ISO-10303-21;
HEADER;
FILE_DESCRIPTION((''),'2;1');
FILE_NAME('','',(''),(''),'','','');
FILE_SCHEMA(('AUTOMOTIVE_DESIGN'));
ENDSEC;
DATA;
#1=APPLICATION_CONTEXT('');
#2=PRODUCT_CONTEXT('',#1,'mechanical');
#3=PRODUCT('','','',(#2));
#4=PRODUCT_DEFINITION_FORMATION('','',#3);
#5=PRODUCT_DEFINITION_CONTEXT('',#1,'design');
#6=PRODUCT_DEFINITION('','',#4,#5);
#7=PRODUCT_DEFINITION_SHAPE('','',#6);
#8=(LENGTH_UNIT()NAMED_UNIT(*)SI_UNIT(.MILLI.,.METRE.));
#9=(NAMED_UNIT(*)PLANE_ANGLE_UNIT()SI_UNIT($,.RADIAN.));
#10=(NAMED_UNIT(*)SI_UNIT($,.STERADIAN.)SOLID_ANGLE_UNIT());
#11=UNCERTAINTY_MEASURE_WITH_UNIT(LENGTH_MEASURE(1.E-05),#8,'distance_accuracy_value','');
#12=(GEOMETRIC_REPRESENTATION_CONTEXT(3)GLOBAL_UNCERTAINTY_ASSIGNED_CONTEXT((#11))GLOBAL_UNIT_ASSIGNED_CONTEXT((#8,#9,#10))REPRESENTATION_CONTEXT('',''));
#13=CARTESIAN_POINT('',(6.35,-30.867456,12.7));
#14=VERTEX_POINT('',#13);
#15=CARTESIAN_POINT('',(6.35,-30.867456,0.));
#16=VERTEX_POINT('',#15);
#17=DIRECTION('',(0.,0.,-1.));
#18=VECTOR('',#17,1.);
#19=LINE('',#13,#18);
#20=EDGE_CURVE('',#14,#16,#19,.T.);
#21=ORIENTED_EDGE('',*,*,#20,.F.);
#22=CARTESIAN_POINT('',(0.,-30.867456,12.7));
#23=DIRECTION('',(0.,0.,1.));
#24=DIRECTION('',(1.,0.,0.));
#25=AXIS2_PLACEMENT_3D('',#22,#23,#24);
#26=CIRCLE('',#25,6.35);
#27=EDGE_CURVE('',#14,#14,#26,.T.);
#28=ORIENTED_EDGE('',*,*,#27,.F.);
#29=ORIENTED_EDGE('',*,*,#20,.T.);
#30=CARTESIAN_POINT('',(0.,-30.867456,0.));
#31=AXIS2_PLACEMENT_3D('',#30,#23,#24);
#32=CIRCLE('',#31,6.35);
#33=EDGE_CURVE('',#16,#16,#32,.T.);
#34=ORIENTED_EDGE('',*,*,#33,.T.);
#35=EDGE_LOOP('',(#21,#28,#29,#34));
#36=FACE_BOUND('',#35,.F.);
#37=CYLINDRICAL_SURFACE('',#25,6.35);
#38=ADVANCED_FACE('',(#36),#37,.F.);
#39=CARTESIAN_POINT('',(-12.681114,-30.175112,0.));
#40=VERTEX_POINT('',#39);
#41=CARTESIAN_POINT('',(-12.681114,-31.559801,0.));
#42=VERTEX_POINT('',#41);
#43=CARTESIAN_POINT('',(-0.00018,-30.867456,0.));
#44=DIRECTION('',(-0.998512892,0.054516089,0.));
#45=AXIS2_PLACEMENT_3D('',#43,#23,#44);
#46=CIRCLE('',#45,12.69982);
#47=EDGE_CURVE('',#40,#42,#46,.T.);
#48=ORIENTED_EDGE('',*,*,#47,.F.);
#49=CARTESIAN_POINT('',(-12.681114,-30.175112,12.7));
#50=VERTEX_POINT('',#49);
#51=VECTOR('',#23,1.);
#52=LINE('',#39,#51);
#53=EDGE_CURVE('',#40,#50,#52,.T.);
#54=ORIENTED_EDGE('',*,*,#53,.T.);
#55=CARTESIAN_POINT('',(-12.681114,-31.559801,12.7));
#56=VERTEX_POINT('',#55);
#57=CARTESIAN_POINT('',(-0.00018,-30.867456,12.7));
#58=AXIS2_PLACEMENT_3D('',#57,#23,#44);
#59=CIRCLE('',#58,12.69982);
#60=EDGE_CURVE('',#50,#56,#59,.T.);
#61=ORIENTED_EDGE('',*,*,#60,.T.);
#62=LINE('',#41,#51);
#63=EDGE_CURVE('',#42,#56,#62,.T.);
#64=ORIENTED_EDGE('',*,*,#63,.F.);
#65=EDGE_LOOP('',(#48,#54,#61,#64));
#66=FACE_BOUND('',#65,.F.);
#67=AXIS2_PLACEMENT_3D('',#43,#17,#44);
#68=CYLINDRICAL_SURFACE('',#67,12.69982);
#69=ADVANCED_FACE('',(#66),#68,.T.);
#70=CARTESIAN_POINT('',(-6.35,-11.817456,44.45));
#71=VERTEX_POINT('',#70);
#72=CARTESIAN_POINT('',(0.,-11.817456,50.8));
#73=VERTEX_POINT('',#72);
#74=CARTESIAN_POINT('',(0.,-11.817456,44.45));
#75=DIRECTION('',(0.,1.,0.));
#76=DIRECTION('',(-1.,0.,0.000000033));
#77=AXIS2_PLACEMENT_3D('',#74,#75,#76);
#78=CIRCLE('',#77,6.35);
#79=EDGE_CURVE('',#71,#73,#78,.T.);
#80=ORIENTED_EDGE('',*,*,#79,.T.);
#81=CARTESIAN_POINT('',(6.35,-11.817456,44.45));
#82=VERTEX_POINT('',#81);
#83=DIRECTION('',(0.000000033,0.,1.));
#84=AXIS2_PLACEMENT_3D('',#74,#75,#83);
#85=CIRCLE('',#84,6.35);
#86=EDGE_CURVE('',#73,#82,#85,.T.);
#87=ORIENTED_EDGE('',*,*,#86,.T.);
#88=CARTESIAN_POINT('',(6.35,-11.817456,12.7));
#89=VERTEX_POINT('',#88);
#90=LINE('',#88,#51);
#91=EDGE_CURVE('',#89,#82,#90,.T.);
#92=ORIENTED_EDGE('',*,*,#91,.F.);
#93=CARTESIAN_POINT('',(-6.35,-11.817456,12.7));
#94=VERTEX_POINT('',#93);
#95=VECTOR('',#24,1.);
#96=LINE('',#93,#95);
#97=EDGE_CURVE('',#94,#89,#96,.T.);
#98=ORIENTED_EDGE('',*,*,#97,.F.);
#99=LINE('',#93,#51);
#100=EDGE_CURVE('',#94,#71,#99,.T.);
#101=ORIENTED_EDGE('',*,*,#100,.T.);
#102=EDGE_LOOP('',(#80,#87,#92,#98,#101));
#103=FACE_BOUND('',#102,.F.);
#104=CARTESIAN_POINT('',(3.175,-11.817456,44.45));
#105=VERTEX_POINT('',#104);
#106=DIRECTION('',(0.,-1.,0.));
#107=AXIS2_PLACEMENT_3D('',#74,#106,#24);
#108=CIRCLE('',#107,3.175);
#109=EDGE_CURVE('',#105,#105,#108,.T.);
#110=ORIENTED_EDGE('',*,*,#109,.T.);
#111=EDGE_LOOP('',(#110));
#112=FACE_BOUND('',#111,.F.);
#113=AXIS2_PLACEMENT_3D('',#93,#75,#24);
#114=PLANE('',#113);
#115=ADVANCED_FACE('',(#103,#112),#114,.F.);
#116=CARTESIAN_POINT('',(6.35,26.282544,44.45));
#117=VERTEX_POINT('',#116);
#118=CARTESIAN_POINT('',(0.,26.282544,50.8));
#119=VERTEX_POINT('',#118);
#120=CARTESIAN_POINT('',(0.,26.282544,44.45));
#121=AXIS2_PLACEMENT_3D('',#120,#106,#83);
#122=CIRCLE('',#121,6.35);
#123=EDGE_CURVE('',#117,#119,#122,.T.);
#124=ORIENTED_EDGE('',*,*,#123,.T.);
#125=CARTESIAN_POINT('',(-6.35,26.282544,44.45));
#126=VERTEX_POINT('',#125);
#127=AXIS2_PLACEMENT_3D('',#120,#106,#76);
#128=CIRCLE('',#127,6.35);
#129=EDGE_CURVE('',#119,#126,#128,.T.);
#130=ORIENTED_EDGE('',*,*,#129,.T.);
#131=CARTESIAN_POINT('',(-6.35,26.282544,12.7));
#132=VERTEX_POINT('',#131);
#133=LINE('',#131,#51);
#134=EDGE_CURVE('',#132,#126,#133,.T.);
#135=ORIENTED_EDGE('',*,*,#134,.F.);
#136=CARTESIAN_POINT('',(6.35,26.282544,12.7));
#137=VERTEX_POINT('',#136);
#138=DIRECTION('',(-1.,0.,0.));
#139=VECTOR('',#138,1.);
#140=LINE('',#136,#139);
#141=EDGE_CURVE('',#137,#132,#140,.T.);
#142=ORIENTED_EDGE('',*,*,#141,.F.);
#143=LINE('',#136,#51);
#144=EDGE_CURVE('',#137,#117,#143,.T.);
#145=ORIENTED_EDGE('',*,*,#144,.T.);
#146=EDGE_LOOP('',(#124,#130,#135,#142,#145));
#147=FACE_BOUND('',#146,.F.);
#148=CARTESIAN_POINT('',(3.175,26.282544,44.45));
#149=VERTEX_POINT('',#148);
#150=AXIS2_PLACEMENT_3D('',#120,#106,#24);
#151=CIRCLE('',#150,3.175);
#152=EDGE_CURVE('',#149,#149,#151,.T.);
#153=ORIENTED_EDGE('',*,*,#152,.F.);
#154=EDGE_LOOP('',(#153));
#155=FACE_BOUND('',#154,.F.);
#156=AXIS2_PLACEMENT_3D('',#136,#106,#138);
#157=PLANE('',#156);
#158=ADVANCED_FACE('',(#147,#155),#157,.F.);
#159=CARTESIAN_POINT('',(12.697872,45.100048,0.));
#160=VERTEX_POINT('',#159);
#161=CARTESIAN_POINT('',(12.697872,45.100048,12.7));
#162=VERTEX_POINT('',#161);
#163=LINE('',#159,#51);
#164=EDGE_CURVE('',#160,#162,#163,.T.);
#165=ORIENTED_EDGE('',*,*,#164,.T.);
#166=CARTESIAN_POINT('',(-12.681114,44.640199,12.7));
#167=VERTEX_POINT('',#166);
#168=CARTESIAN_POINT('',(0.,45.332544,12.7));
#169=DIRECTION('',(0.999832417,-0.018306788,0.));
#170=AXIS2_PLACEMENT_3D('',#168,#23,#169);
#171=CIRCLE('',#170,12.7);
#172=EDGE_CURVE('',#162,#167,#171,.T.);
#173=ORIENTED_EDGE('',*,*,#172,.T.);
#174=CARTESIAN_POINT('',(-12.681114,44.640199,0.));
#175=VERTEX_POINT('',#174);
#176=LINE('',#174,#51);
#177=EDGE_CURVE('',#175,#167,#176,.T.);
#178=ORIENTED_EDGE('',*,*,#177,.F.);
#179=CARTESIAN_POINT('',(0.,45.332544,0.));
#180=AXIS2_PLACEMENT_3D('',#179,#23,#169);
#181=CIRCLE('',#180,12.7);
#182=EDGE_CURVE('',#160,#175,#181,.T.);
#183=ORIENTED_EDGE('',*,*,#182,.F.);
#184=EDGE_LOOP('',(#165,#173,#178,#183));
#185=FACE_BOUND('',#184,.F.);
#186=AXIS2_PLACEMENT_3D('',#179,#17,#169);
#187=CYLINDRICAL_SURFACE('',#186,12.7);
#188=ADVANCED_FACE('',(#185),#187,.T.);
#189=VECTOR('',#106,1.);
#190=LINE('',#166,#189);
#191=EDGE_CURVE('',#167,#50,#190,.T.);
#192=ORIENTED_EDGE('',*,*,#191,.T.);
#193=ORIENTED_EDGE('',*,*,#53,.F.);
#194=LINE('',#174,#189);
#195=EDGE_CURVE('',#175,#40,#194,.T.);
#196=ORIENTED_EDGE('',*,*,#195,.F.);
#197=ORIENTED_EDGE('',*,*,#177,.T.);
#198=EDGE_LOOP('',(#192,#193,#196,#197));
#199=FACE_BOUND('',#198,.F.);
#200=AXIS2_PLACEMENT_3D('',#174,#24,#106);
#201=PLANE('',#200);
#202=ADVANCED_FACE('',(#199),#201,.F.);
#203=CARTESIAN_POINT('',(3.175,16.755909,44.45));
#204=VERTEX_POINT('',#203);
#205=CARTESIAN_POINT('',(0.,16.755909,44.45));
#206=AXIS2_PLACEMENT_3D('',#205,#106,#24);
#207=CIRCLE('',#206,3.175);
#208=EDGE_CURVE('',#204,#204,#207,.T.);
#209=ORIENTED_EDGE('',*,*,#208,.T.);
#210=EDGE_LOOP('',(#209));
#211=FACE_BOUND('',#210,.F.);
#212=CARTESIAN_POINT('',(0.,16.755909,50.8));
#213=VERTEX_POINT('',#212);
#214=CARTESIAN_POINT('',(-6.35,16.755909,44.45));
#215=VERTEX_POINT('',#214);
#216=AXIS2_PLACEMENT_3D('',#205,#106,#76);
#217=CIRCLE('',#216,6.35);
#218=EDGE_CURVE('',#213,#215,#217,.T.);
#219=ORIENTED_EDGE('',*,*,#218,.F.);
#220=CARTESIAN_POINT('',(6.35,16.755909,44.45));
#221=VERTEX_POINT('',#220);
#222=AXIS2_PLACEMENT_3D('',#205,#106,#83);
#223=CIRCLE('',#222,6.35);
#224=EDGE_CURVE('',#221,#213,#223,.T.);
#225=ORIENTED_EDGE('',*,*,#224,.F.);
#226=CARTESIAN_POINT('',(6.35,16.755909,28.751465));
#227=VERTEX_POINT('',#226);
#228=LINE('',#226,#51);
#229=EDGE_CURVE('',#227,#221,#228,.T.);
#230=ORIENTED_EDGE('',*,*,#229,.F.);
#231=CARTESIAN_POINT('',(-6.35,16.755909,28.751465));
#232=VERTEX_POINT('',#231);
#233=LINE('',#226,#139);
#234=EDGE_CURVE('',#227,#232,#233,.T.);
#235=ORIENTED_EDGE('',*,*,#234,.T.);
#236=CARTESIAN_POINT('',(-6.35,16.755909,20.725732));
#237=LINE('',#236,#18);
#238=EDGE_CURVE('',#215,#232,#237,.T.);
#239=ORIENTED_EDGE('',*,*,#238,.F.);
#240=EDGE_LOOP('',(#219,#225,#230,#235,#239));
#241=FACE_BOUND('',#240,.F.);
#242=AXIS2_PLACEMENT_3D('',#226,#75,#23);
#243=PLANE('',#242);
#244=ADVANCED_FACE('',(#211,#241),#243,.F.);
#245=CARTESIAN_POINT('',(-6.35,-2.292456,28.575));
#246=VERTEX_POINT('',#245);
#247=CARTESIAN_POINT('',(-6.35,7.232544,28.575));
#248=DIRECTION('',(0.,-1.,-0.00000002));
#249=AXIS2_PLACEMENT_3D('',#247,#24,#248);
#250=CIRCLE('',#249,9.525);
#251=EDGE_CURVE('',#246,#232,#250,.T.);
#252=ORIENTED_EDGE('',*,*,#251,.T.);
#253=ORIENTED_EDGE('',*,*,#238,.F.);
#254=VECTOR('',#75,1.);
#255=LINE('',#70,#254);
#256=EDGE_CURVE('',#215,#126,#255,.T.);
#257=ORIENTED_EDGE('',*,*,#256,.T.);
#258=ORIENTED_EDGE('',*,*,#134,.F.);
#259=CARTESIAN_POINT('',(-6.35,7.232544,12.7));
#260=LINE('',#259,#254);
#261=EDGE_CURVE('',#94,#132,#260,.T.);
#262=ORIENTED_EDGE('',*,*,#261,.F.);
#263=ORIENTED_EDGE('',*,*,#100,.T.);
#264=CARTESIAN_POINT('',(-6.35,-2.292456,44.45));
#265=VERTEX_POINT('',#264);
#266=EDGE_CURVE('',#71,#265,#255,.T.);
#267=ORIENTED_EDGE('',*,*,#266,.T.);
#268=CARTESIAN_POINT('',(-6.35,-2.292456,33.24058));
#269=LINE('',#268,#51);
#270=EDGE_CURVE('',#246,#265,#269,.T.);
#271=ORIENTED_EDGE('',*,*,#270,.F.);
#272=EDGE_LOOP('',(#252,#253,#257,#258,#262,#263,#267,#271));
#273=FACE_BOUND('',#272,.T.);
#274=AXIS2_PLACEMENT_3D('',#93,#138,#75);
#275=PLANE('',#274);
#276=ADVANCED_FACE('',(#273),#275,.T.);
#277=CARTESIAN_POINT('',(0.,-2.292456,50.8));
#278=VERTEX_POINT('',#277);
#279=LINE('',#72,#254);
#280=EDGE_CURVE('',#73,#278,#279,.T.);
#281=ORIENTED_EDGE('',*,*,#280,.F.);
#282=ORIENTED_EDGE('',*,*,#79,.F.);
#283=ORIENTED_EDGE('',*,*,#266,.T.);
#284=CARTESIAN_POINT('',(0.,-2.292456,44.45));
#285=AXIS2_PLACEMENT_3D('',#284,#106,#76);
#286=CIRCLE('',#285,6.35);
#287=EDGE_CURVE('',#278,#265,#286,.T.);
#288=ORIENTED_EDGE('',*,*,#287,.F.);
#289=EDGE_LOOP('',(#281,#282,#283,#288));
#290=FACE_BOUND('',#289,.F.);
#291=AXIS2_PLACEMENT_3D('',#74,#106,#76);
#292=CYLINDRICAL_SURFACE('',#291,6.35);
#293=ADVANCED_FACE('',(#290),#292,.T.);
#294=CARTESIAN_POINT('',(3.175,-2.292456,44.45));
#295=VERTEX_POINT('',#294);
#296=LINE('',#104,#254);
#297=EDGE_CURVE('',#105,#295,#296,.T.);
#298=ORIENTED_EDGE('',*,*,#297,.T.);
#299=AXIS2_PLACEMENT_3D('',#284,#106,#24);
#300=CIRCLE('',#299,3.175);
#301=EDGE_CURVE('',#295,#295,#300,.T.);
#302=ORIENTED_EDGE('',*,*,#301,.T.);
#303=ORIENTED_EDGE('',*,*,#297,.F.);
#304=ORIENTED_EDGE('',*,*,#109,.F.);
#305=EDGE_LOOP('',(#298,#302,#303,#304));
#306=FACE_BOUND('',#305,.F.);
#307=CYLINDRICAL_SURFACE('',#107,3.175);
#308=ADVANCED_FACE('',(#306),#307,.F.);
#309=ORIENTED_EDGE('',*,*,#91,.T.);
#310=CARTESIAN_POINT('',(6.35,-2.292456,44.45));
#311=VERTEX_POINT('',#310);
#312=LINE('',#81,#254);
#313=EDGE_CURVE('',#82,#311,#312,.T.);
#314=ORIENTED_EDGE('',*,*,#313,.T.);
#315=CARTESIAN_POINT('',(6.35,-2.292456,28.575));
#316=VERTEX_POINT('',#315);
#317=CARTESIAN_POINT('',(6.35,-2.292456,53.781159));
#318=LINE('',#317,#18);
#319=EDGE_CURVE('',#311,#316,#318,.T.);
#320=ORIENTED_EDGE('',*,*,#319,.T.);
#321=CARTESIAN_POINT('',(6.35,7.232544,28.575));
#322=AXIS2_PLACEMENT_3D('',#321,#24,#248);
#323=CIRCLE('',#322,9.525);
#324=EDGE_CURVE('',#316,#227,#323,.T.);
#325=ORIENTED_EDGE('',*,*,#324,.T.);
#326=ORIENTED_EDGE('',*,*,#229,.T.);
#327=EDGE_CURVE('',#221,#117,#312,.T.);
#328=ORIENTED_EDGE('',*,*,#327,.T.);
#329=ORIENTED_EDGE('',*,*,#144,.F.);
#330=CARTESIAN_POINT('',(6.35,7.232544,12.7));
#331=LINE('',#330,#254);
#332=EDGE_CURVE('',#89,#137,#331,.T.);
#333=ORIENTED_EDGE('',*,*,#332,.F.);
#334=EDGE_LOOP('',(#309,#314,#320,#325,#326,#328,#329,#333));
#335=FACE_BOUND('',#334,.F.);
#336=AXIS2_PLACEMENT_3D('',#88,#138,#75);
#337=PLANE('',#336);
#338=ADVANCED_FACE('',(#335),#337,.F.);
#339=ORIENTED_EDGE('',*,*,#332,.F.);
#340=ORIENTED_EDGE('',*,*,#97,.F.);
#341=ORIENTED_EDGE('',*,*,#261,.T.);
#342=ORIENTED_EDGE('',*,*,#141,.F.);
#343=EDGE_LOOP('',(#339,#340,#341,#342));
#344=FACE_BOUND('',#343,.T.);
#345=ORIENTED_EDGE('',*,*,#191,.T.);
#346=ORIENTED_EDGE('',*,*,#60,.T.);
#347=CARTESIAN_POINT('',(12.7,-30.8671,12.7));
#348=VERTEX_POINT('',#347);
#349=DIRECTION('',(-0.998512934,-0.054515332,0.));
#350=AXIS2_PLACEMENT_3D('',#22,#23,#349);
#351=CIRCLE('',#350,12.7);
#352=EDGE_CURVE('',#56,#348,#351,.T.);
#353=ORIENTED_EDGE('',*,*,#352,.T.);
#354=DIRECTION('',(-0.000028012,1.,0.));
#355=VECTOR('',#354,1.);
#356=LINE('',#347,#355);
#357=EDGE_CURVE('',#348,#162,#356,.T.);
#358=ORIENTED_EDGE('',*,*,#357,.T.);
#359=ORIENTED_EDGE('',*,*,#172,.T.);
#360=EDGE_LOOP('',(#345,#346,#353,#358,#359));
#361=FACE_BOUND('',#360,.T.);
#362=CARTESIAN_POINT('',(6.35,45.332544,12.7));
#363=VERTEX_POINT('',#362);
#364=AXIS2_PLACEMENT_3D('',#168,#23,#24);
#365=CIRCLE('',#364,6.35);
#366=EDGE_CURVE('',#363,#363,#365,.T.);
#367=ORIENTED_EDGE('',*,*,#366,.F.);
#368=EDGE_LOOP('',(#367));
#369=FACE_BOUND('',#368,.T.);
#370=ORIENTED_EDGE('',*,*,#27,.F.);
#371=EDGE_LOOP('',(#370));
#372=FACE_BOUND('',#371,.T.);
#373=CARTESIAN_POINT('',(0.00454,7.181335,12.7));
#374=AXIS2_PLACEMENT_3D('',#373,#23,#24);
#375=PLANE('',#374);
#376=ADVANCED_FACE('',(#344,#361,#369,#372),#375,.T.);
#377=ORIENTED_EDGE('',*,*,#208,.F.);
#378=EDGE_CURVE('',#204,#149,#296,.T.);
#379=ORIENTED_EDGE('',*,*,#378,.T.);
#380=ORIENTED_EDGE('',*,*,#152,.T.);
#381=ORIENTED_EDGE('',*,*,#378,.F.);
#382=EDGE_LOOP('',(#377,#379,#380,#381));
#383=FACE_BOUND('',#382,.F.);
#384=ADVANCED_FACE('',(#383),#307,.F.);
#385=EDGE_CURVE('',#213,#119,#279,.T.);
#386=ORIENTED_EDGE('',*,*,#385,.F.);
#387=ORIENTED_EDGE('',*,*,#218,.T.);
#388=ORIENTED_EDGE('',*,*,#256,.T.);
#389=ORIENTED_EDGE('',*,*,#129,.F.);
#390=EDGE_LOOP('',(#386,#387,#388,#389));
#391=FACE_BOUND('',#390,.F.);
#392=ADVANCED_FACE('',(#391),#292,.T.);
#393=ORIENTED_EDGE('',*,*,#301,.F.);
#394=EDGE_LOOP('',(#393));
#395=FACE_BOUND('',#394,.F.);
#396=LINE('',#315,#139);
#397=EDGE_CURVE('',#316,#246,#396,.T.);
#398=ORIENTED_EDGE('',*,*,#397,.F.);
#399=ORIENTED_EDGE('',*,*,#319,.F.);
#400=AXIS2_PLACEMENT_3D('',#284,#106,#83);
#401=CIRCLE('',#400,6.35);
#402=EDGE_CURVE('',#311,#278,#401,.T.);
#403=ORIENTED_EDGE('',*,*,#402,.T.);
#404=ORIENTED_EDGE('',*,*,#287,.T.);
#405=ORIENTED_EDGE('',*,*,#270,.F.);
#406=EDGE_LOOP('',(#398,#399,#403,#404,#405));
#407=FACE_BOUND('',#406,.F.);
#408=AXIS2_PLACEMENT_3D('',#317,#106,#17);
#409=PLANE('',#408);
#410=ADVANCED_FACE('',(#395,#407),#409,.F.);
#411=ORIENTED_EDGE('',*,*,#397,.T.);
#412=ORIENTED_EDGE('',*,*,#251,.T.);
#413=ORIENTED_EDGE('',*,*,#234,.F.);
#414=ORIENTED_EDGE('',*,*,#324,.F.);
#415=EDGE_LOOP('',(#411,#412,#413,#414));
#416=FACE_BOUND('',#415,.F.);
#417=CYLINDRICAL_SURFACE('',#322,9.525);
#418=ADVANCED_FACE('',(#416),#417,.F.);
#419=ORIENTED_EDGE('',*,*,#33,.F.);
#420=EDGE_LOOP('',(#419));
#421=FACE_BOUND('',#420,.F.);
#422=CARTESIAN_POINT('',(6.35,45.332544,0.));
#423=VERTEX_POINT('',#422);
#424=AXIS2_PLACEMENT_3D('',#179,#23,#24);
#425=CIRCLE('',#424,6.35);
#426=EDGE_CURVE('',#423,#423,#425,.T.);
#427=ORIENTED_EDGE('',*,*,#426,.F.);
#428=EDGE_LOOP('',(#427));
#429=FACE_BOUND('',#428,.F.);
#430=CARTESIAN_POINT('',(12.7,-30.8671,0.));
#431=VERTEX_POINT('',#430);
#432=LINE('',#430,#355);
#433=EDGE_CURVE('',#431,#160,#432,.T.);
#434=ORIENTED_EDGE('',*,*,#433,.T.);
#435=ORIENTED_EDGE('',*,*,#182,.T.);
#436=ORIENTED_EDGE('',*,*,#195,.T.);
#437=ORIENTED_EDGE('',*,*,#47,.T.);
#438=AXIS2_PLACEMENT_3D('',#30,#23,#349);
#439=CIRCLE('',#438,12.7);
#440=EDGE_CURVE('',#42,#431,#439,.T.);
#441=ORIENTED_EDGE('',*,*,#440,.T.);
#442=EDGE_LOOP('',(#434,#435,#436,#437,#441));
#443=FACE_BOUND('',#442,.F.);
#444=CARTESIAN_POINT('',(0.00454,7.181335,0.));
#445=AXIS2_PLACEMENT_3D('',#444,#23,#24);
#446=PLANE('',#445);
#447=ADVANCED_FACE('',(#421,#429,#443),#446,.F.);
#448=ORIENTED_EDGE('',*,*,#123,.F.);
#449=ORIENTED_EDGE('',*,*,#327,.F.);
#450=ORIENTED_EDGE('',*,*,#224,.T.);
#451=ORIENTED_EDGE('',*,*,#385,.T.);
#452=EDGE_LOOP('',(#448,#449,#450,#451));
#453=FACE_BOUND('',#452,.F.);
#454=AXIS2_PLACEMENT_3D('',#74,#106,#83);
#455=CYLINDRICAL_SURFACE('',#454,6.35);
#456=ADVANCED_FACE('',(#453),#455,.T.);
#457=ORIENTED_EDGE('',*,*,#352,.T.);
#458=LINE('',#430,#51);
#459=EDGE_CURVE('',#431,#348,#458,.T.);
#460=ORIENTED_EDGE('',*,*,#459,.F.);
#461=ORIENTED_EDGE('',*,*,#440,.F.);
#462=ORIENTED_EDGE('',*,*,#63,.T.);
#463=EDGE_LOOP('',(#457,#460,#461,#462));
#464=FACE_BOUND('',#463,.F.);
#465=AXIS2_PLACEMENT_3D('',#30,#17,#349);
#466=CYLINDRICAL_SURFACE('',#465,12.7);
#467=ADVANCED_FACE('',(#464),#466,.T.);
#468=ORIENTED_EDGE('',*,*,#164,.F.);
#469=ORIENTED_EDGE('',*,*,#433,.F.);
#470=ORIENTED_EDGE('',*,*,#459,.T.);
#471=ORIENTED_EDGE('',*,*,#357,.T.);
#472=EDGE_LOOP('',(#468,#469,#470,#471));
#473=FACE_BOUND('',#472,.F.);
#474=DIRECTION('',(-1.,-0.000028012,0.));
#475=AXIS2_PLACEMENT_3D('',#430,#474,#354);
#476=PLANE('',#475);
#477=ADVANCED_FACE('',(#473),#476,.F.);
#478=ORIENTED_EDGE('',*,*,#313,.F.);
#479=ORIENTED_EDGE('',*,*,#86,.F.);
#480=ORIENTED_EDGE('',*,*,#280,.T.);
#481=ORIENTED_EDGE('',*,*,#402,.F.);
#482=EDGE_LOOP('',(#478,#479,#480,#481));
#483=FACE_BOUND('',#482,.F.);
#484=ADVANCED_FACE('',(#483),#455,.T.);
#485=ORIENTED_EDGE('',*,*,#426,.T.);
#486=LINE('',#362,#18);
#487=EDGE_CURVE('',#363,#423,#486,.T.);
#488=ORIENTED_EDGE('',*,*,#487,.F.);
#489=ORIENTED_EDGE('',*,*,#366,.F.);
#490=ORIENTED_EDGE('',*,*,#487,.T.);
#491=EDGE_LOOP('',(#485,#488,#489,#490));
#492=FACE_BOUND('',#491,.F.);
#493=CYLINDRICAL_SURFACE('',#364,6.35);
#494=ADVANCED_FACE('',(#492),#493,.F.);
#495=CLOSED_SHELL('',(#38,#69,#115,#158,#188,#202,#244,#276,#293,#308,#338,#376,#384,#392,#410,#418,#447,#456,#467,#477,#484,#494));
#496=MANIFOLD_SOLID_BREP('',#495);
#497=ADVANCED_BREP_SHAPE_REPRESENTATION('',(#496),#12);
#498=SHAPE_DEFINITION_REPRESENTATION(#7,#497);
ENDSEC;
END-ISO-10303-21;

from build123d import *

# Parameters (mm, degrees)
F1_DEPTH  = 12.7
F2_R      = 6.35
F3_DEPTH  = 31.242
F4_W      = 6.35
F4_H      = 38.1
F5_DEPTH  = 38.1
F7_DEPTH  = 61.468
F9_DEPTH  = 25.4
F10_R     = 3.175
F11_DEPTH = 50.8


with BuildPart() as f1:
    # F0 (on Top) → F1 (new body)
    with BuildSketch(Plane.XY):
        with BuildLine():
            Line((12.7, -30.8671), (12.697872, 45.100048))
            ThreePointArc((12.697872, 45.100048), (-0.230077, 58.03046), (-12.681114, 44.640199))
            Line((-12.681114, 44.640199), (-12.681114, -30.175112))
            Line((-12.681114, -30.175112), (-12.681114, -31.559801))
            ThreePointArc((-12.681114, -31.559801), (0.346479, -43.562729), (12.7, -30.8671))
        make_face()
        with BuildLine():
            Line((-12.681114, -31.559801), (-12.681114, -30.175112))
            ThreePointArc((-12.681114, -30.175112), (-12.7, -30.867456), (-12.681114, -31.559801))
        make_face()
    extrude(amount=F1_DEPTH)

    # F2 (on face) → F3 (cut)
    with BuildSketch(Plane.XY.offset(12.7)):
        with Locations((0, -30.867456)):
            Circle(F2_R)
        with Locations((0, 45.332544)):
            Circle(F2_R)
    extrude(amount=-F3_DEPTH, mode=Mode.SUBTRACT)

    # F4 (on face) → F5 (join)
    with BuildSketch(Plane.XY.offset(12.7)):
        with Locations((3.175, 7.232544)):
            Rectangle(F4_W, F4_H)
        with Locations((-3.175, 7.232544)):
            Rectangle(F4_W, F4_H)
    extrude(amount=F5_DEPTH)

    # F6 (on face) → F7 (cut)
    with BuildSketch(Plane.XZ.offset(11.817456)):
        with BuildLine():
            ThreePointArc((-6.35, 44.45), (-4.490128, 48.940128), (0, 50.8))
            Line((0, 50.8), (-6.35, 50.8))
            Line((-6.35, 50.8), (-6.35, 44.45))
        make_face()
        with BuildLine():
            ThreePointArc((0, 50.8), (4.490128, 48.940128), (6.35, 44.45))
            Line((6.35, 44.45), (6.35, 50.8))
            Line((6.35, 50.8), (0, 50.8))
        make_face()
    extrude(amount=-F7_DEPTH, mode=Mode.SUBTRACT)

    # F8 (on face) → F9 (cut)
    with BuildSketch(Plane.YZ.offset(6.35)):
        with BuildLine():
            Line((-2.292456, 44.45), (-2.292456, 28.575))
            ThreePointArc((-2.292456, 28.575), (7.32078, 19.050409), (16.755909, 28.751465))
            Line((16.755909, 28.751465), (16.755909, 53.781159))
            Line((16.755909, 53.781159), (-2.292456, 53.781159))
            Line((-2.292456, 53.781159), (-2.292456, 44.45))
        make_face()
    extrude(amount=-F9_DEPTH, mode=Mode.SUBTRACT)

    # F10 (on face) → F11 (cut)
    with BuildSketch(Plane.XZ.offset(11.817456)):
        with Locations((0, 44.45)):
            Circle(F10_R)
    extrude(amount=-F11_DEPTH, mode=Mode.SUBTRACT)


solid = f1.part
